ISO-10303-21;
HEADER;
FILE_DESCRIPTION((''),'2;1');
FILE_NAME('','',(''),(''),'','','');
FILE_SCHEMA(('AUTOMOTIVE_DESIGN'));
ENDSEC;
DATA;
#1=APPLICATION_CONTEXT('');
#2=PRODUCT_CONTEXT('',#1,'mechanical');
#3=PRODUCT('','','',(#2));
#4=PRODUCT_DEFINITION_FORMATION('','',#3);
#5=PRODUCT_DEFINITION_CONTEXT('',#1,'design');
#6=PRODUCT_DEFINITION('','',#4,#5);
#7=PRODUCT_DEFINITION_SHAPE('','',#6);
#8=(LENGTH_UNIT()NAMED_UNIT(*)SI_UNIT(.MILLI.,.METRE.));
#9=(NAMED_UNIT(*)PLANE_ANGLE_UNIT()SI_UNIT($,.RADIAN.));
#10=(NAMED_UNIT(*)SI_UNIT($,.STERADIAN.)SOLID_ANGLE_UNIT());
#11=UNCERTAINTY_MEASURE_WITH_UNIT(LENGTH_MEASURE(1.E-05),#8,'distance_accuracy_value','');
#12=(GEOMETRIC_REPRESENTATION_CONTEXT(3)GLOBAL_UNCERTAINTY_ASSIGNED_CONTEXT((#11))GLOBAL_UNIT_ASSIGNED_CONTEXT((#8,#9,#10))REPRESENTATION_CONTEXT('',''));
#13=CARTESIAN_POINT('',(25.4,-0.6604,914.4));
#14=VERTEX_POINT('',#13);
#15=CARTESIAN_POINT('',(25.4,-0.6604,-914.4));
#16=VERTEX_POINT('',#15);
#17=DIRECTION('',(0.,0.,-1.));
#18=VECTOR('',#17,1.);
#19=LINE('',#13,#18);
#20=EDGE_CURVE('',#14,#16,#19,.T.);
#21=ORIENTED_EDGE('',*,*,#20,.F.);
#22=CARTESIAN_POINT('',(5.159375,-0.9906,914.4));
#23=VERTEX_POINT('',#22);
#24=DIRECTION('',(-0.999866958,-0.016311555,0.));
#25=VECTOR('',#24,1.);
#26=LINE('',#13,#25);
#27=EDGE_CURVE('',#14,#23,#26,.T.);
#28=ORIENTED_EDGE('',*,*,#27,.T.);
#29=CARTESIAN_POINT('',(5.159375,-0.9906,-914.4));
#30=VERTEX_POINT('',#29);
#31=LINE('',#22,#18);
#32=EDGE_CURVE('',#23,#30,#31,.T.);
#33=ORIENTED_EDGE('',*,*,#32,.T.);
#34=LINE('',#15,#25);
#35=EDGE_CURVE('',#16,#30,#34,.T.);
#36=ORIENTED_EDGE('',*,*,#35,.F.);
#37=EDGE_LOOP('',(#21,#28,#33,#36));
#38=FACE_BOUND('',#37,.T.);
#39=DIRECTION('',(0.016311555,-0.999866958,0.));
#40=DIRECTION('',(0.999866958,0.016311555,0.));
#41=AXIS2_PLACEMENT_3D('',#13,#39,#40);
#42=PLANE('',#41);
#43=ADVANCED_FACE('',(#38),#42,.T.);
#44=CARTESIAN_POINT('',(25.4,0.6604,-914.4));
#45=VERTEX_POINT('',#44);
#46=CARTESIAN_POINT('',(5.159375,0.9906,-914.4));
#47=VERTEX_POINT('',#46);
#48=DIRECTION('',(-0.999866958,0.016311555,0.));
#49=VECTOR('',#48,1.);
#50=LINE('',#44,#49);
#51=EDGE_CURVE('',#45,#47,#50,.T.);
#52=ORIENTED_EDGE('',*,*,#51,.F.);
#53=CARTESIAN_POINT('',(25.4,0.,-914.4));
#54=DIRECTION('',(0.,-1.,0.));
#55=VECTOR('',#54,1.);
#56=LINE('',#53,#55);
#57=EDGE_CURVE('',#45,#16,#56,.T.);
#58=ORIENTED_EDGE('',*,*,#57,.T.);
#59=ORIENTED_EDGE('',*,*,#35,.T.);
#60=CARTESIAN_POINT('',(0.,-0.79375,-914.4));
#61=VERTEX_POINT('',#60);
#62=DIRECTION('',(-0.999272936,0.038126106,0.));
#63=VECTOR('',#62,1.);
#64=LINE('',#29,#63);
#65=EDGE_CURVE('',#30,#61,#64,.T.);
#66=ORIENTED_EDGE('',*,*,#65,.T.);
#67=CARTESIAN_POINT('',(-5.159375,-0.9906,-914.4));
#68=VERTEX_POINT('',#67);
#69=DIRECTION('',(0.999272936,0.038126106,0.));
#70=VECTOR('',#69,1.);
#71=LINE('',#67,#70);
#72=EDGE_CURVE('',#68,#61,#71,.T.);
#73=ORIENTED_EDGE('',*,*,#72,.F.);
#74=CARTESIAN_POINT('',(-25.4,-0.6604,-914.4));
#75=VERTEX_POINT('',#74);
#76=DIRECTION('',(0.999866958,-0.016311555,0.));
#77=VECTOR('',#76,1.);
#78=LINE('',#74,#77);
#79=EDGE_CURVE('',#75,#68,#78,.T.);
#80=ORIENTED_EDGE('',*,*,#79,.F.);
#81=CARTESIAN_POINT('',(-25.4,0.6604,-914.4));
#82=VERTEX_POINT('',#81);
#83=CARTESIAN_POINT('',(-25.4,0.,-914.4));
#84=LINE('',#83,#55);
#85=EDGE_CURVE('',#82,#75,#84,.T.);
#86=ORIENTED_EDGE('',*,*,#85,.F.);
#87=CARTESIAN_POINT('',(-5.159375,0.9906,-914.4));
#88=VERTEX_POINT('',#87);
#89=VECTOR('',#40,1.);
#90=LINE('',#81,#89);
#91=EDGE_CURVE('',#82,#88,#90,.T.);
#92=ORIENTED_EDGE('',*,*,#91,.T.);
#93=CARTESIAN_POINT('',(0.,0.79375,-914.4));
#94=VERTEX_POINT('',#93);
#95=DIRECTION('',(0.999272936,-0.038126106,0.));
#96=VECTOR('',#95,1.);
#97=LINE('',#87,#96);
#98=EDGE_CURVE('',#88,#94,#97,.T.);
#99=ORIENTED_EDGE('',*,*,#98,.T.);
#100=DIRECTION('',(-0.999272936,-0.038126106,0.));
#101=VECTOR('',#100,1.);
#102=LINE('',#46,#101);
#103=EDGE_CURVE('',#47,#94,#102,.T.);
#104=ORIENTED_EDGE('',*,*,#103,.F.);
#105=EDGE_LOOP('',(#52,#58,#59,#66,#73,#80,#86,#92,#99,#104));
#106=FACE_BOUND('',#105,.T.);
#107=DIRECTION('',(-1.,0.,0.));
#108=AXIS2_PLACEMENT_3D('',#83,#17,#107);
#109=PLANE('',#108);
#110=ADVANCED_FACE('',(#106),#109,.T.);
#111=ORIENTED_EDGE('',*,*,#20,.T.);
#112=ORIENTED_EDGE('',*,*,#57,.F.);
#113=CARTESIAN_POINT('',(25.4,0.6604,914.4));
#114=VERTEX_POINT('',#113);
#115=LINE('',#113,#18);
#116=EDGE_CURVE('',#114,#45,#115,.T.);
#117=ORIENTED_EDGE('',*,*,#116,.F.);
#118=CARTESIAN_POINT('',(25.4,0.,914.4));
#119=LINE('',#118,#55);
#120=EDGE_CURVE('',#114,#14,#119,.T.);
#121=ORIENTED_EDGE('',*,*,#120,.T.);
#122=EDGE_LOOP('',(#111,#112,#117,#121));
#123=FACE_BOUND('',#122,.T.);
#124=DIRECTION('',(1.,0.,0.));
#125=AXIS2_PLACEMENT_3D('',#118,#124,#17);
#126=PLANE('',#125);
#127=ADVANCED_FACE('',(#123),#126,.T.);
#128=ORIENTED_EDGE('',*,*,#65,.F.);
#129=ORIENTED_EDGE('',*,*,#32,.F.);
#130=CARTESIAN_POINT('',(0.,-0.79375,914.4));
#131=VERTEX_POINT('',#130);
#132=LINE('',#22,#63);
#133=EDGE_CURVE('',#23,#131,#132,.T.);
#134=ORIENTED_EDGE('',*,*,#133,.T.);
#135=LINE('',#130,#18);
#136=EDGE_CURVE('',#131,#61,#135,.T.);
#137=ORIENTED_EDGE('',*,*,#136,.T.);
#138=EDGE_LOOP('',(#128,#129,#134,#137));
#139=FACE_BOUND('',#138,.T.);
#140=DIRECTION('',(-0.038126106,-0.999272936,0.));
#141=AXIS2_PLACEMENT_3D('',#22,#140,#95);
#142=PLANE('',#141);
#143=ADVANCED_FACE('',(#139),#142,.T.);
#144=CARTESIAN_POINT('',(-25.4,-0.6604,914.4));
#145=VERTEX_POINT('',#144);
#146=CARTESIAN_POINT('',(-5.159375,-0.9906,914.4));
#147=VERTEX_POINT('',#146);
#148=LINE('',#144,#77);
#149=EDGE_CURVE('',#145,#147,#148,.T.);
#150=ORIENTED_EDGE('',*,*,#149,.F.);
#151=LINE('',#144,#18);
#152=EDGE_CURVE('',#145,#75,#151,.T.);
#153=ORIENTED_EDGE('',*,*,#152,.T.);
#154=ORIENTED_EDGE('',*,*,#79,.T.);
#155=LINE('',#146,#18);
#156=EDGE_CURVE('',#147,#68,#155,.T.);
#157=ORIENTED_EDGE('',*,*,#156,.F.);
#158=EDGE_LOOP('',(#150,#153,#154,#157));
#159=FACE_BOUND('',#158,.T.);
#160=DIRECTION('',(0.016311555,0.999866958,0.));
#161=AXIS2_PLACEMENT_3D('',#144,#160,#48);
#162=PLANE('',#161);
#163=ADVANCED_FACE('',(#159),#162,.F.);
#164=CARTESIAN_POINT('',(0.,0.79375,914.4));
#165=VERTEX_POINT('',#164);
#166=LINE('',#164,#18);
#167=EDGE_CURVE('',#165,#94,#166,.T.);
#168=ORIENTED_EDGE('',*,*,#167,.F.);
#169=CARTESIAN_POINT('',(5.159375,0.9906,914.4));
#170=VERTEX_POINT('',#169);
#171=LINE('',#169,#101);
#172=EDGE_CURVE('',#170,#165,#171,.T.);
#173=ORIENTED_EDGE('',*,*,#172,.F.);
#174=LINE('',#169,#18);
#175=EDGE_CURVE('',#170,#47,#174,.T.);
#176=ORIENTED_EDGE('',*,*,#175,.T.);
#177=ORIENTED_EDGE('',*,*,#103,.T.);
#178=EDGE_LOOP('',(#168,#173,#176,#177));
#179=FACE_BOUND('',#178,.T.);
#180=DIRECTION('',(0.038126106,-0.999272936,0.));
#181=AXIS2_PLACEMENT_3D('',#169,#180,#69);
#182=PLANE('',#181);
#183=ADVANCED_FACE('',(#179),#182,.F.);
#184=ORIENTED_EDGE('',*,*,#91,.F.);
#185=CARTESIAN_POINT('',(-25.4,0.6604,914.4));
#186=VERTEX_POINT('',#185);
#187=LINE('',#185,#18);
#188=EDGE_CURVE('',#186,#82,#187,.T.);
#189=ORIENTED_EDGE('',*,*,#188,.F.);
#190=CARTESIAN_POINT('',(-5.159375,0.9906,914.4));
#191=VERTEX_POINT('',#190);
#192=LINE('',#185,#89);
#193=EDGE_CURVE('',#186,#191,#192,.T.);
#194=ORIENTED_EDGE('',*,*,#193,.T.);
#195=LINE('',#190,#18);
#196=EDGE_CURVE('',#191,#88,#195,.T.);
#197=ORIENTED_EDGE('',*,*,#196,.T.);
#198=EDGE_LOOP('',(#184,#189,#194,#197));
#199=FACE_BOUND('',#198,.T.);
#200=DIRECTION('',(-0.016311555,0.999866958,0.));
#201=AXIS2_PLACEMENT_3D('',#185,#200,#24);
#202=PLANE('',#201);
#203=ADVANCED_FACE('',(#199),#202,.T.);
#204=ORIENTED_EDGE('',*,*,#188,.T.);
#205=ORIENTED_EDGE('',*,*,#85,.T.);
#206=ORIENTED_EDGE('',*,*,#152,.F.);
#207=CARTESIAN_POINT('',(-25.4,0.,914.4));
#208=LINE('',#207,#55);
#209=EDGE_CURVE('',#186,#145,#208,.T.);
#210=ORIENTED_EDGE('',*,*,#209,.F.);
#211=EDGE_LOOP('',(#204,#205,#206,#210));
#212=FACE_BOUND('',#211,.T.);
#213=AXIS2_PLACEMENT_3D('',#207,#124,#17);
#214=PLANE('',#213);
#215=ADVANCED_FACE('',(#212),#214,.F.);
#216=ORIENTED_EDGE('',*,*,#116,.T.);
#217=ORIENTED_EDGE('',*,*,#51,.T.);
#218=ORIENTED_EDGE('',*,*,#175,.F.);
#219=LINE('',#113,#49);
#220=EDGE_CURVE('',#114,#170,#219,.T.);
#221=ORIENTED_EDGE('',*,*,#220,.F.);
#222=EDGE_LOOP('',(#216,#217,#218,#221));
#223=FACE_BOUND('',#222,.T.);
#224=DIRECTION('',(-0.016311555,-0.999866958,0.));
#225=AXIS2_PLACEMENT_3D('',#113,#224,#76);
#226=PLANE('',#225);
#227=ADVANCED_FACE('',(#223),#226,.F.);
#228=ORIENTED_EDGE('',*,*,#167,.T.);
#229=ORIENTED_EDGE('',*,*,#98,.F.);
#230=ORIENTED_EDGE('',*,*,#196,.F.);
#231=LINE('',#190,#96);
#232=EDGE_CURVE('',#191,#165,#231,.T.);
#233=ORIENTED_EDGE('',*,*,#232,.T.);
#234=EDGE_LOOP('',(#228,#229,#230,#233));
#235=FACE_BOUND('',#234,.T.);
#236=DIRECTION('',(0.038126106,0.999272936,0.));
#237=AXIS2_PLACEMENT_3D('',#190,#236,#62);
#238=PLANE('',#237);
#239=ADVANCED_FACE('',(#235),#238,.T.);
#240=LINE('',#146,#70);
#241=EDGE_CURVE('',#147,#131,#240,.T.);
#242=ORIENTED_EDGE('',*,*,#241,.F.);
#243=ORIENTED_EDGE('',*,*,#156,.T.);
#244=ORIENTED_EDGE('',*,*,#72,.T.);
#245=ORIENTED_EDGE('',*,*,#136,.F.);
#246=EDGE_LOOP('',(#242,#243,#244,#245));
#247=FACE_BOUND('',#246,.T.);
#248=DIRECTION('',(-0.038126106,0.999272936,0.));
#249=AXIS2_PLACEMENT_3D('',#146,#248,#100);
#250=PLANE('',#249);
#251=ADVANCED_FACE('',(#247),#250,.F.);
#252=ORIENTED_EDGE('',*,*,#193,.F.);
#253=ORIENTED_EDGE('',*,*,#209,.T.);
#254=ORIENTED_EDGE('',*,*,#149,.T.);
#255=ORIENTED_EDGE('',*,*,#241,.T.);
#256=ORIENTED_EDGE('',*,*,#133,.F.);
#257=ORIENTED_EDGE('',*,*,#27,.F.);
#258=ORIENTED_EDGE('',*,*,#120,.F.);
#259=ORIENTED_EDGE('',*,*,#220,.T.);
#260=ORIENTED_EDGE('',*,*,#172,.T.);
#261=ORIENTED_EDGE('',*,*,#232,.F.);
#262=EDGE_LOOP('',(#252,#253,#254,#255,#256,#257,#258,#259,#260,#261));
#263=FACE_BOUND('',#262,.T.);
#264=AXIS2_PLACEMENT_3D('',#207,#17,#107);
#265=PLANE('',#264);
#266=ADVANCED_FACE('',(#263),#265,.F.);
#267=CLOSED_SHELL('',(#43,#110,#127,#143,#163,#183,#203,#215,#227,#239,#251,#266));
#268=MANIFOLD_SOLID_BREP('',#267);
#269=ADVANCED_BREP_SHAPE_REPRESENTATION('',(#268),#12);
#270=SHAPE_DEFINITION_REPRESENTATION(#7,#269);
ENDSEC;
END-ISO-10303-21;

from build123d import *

# Parameters (mm, degrees)
EXTRUDE1_DEPTH       = 914.4
MIRROR2_COPY_1_DEPTH = 914.4


with BuildPart() as part:
    # Sketch1 → Extrude1 (new, symmetric)
    with BuildSketch(Plane.XY):
        Polygon((-25.4, -0.6604), (-5.159375, -0.9906), (0, -0.79375), (0, 0), (-25.4, 0), align=None)
    extrude1 = extrude(amount=EXTRUDE1_DEPTH, both=True)

    # Mirror1: Extrude1 across plane
    add(extrude1.mirror(Plane(origin=(0, 0, 0), x_dir=(0, 0, 1), z_dir=(1, 0, 0))))

    # Mirror2: Extrude1 across plane
    add(extrude1.mirror(Plane.ZX))

    # Mirror2 copy 1 sketch → Mirror2 copy 1 (add, symmetric)
    with BuildSketch(Plane(origin=(0, 0, 0), x_dir=(-1, 0, 0), z_dir=(0, 0, 1))):
        Polygon((-25.4, -0.6604), (-5.159375, -0.9906), (0, -0.79375), (0, 0), (-25.4, 0), align=None)
    extrude(amount=MIRROR2_COPY_1_DEPTH, both=True)


solid = part.part
